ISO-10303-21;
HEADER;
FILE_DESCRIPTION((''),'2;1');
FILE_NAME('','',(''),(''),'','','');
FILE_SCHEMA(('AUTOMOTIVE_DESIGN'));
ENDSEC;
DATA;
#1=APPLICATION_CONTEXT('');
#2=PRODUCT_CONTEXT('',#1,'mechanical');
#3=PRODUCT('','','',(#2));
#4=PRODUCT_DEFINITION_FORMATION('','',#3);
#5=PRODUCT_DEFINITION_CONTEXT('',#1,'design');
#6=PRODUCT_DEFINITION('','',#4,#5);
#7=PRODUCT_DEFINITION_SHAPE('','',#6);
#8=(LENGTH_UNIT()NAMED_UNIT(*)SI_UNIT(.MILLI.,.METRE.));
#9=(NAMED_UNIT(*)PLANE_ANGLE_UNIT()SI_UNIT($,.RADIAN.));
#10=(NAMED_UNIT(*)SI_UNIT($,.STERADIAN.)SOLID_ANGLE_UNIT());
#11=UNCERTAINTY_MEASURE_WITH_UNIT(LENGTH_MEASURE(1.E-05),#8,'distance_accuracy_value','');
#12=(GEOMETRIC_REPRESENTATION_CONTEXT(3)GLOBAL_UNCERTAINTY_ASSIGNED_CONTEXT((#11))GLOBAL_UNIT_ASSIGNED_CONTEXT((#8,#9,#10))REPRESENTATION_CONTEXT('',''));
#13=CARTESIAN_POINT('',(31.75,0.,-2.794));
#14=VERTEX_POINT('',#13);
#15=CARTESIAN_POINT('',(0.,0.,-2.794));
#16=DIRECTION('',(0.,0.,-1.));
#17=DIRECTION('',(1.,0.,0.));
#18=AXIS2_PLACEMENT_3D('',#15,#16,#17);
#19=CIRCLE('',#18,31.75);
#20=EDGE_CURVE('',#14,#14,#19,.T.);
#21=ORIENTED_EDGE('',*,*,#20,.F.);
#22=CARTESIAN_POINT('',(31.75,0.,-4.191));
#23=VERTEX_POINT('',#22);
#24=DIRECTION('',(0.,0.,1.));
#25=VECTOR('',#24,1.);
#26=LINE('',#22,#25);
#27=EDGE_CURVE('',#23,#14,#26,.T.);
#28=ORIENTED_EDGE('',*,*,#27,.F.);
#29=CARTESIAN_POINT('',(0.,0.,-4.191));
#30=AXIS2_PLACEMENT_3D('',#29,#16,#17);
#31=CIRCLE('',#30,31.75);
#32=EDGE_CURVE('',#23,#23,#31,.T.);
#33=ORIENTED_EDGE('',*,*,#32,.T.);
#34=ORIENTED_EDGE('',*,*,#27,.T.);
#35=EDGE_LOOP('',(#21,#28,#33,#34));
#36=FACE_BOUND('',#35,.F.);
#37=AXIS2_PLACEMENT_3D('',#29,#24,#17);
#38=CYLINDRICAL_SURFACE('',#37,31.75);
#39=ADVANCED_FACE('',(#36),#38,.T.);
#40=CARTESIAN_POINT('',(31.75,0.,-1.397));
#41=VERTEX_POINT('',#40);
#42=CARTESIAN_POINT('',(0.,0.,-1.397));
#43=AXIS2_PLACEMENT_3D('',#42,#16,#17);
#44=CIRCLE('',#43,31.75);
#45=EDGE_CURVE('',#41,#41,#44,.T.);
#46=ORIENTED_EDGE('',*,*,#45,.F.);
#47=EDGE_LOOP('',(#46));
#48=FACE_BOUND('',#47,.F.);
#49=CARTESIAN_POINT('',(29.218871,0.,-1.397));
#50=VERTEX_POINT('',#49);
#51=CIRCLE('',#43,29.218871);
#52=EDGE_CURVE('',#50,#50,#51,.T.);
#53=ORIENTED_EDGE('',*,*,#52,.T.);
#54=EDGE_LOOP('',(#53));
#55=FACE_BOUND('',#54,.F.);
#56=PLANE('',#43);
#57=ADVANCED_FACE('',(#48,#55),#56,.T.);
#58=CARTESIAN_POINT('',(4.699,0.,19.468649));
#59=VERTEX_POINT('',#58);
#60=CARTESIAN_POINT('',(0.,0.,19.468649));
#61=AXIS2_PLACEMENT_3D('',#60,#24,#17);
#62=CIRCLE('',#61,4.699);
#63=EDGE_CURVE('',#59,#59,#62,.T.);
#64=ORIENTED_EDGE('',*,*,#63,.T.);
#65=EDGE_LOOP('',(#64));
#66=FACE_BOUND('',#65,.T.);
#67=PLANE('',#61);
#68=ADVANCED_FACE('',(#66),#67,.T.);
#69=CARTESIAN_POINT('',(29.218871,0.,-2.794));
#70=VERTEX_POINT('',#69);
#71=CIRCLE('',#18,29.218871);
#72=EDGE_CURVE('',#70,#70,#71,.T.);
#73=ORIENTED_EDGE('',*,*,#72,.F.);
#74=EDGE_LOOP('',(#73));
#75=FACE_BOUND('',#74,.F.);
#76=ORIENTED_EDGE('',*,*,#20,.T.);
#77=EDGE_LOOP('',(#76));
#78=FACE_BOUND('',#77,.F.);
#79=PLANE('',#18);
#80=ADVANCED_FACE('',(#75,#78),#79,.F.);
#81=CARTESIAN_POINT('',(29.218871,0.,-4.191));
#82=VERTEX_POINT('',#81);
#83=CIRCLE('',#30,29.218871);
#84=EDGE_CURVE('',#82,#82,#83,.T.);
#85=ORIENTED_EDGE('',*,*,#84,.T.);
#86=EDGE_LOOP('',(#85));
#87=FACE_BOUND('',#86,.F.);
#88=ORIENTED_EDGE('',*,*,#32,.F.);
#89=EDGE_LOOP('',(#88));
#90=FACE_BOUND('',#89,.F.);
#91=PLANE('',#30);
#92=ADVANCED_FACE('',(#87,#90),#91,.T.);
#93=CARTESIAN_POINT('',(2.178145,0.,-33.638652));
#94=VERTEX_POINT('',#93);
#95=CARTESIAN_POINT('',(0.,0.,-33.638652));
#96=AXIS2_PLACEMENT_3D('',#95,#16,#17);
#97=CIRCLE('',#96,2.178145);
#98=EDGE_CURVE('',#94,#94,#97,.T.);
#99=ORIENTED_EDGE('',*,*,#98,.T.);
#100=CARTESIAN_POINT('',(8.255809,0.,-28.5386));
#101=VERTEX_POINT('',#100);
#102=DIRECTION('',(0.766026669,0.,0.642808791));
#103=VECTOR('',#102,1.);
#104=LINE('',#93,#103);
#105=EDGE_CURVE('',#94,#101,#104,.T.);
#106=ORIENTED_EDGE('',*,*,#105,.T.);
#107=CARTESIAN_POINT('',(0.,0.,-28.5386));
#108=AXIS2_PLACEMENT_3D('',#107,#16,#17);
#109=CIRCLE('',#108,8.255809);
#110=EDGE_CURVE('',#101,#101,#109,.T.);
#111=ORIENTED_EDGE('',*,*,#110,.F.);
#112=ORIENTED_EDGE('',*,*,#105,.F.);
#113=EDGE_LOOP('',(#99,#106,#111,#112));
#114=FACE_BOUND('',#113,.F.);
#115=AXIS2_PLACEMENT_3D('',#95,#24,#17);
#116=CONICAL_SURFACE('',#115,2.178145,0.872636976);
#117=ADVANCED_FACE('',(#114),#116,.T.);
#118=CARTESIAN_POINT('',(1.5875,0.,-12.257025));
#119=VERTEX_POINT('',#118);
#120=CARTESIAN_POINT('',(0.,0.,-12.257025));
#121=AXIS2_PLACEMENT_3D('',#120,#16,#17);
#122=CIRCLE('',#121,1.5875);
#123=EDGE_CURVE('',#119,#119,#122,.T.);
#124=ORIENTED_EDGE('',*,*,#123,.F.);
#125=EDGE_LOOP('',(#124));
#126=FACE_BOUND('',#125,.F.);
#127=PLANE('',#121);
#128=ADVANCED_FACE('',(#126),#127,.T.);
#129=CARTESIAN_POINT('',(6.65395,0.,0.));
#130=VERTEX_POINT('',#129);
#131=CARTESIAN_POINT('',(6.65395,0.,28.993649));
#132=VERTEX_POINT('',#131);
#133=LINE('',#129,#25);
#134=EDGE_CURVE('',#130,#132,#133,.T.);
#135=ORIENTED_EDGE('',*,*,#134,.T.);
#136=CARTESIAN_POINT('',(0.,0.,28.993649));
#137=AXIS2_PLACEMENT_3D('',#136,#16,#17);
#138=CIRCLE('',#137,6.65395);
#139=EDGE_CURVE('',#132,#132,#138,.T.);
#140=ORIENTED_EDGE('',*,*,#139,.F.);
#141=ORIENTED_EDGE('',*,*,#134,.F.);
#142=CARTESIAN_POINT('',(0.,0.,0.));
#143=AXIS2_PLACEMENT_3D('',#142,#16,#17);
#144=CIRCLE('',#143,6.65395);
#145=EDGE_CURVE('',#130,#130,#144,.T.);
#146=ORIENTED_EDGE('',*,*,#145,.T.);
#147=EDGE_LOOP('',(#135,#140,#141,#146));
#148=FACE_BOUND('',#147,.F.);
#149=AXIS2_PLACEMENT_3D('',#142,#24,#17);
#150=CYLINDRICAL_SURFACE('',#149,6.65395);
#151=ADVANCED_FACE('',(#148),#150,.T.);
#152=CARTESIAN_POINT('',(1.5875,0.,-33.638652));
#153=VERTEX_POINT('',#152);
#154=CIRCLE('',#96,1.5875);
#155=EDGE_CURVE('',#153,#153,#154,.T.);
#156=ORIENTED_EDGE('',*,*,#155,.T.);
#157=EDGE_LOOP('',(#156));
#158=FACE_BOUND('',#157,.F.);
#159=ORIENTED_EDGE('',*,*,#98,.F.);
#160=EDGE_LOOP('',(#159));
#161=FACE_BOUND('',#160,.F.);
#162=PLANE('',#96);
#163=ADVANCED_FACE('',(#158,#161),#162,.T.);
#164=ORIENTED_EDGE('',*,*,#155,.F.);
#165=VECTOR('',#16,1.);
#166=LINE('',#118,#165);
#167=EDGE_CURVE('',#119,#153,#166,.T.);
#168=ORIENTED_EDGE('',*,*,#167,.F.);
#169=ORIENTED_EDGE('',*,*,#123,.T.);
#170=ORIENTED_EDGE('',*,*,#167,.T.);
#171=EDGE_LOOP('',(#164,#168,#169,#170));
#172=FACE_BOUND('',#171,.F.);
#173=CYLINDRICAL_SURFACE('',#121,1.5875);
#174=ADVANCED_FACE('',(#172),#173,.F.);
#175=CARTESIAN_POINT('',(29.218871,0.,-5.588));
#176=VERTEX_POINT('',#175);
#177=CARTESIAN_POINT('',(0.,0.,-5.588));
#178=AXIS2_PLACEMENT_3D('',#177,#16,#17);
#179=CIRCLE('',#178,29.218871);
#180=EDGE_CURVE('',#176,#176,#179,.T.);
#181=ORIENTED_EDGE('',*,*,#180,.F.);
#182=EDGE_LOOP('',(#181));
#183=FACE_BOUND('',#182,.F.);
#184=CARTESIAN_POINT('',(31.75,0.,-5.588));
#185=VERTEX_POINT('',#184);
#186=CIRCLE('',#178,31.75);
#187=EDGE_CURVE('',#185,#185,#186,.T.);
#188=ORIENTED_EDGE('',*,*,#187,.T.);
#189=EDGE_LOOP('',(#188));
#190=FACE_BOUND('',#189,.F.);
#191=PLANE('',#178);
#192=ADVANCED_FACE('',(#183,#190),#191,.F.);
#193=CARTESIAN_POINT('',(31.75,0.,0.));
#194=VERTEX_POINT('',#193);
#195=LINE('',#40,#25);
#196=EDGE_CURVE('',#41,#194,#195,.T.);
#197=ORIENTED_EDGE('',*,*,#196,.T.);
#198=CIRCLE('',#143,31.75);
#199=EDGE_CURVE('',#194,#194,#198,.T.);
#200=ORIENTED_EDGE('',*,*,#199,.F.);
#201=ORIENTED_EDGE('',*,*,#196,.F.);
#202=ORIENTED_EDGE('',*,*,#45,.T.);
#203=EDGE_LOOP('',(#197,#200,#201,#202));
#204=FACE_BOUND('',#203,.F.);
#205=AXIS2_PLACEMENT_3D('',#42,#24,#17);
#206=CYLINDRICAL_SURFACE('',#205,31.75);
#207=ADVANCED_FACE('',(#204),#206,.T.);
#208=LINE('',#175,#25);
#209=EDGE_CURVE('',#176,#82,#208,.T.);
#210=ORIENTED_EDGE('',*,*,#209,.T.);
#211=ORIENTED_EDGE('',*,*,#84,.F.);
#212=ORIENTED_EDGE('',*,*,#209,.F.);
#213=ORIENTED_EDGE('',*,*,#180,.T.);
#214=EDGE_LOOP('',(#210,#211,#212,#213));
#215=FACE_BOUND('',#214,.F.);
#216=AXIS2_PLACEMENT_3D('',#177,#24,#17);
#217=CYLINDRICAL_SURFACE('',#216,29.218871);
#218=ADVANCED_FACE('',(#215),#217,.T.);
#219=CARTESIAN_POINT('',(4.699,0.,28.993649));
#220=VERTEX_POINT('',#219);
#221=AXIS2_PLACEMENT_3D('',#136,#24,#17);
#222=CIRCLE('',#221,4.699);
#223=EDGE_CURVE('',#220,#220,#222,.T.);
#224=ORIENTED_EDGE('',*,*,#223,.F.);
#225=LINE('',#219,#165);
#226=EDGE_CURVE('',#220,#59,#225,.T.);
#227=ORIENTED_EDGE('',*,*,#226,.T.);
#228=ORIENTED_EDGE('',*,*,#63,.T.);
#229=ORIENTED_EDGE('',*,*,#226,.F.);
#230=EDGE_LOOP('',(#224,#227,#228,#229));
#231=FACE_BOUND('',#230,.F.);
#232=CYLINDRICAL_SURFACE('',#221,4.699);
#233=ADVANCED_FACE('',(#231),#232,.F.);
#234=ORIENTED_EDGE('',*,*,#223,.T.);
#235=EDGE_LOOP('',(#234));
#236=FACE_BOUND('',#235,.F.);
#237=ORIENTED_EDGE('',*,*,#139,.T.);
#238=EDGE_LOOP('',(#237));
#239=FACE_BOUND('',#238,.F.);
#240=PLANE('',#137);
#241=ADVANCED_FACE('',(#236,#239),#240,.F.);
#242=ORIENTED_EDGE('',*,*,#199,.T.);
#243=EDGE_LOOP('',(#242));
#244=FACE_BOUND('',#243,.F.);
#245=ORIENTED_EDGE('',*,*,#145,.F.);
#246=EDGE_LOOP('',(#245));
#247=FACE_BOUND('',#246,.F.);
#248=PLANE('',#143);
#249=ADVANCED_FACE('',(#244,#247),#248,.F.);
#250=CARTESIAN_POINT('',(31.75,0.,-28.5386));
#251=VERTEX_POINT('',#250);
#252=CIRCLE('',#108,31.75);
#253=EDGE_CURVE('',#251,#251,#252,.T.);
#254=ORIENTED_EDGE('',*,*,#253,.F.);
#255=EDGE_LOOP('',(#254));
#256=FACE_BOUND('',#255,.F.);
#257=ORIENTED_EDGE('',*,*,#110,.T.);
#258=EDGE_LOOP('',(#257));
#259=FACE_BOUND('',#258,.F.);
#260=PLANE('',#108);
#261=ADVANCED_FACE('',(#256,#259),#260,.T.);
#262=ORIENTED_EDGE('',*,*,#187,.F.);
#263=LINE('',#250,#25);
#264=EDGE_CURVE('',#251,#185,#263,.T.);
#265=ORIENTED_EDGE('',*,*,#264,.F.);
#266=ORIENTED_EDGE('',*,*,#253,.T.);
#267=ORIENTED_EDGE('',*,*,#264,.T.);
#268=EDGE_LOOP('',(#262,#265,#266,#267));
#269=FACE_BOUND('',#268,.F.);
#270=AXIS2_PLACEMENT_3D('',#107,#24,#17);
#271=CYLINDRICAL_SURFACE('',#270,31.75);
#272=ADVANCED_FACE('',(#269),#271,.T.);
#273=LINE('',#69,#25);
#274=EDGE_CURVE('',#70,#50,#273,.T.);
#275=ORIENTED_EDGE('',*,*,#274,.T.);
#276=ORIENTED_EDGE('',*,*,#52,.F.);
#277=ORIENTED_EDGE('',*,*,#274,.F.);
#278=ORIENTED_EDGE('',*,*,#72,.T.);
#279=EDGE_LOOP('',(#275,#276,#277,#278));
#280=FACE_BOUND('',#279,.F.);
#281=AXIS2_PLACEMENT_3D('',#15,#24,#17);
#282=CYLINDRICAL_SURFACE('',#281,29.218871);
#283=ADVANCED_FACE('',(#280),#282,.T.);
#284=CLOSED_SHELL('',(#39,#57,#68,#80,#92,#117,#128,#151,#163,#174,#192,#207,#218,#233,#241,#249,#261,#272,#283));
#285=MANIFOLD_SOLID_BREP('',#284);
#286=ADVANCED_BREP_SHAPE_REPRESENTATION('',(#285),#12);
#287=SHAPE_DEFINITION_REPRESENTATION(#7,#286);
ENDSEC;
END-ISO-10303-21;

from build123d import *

# Parameters (mm, degrees)
F3_R     = 4.699
F4_DEPTH = 9.525


with BuildPart() as f2:
    # F1 (on Front) → F2 (revolve)
    with BuildSketch(Plane.XZ):
        Polygon((6.65395, 28.993649), (0, 28.993649), (0, -12.257025), (1.5875, -12.257025), (1.5875, -33.638652), (2.178145, -33.638652), (8.255809, -28.5386), (31.75, -28.5386), (31.75, -5.588), (29.218871, -5.588), (29.218871, -4.191), (31.75, -4.191), (31.75, -2.794), (29.218871, -2.794), (29.218871, -1.397), (31.75, -1.397), (31.75, 0), (6.65395, 0), align=None)
    revolve(axis=Axis((0, 0, -2.756351), (0, 0, -1)))

    # F3 (on face) → F4 (cut)
    with BuildSketch(Plane.XY.offset(28.993649)):
        Circle(F3_R)
    extrude(amount=-F4_DEPTH, mode=Mode.SUBTRACT)


solid = f2.part
